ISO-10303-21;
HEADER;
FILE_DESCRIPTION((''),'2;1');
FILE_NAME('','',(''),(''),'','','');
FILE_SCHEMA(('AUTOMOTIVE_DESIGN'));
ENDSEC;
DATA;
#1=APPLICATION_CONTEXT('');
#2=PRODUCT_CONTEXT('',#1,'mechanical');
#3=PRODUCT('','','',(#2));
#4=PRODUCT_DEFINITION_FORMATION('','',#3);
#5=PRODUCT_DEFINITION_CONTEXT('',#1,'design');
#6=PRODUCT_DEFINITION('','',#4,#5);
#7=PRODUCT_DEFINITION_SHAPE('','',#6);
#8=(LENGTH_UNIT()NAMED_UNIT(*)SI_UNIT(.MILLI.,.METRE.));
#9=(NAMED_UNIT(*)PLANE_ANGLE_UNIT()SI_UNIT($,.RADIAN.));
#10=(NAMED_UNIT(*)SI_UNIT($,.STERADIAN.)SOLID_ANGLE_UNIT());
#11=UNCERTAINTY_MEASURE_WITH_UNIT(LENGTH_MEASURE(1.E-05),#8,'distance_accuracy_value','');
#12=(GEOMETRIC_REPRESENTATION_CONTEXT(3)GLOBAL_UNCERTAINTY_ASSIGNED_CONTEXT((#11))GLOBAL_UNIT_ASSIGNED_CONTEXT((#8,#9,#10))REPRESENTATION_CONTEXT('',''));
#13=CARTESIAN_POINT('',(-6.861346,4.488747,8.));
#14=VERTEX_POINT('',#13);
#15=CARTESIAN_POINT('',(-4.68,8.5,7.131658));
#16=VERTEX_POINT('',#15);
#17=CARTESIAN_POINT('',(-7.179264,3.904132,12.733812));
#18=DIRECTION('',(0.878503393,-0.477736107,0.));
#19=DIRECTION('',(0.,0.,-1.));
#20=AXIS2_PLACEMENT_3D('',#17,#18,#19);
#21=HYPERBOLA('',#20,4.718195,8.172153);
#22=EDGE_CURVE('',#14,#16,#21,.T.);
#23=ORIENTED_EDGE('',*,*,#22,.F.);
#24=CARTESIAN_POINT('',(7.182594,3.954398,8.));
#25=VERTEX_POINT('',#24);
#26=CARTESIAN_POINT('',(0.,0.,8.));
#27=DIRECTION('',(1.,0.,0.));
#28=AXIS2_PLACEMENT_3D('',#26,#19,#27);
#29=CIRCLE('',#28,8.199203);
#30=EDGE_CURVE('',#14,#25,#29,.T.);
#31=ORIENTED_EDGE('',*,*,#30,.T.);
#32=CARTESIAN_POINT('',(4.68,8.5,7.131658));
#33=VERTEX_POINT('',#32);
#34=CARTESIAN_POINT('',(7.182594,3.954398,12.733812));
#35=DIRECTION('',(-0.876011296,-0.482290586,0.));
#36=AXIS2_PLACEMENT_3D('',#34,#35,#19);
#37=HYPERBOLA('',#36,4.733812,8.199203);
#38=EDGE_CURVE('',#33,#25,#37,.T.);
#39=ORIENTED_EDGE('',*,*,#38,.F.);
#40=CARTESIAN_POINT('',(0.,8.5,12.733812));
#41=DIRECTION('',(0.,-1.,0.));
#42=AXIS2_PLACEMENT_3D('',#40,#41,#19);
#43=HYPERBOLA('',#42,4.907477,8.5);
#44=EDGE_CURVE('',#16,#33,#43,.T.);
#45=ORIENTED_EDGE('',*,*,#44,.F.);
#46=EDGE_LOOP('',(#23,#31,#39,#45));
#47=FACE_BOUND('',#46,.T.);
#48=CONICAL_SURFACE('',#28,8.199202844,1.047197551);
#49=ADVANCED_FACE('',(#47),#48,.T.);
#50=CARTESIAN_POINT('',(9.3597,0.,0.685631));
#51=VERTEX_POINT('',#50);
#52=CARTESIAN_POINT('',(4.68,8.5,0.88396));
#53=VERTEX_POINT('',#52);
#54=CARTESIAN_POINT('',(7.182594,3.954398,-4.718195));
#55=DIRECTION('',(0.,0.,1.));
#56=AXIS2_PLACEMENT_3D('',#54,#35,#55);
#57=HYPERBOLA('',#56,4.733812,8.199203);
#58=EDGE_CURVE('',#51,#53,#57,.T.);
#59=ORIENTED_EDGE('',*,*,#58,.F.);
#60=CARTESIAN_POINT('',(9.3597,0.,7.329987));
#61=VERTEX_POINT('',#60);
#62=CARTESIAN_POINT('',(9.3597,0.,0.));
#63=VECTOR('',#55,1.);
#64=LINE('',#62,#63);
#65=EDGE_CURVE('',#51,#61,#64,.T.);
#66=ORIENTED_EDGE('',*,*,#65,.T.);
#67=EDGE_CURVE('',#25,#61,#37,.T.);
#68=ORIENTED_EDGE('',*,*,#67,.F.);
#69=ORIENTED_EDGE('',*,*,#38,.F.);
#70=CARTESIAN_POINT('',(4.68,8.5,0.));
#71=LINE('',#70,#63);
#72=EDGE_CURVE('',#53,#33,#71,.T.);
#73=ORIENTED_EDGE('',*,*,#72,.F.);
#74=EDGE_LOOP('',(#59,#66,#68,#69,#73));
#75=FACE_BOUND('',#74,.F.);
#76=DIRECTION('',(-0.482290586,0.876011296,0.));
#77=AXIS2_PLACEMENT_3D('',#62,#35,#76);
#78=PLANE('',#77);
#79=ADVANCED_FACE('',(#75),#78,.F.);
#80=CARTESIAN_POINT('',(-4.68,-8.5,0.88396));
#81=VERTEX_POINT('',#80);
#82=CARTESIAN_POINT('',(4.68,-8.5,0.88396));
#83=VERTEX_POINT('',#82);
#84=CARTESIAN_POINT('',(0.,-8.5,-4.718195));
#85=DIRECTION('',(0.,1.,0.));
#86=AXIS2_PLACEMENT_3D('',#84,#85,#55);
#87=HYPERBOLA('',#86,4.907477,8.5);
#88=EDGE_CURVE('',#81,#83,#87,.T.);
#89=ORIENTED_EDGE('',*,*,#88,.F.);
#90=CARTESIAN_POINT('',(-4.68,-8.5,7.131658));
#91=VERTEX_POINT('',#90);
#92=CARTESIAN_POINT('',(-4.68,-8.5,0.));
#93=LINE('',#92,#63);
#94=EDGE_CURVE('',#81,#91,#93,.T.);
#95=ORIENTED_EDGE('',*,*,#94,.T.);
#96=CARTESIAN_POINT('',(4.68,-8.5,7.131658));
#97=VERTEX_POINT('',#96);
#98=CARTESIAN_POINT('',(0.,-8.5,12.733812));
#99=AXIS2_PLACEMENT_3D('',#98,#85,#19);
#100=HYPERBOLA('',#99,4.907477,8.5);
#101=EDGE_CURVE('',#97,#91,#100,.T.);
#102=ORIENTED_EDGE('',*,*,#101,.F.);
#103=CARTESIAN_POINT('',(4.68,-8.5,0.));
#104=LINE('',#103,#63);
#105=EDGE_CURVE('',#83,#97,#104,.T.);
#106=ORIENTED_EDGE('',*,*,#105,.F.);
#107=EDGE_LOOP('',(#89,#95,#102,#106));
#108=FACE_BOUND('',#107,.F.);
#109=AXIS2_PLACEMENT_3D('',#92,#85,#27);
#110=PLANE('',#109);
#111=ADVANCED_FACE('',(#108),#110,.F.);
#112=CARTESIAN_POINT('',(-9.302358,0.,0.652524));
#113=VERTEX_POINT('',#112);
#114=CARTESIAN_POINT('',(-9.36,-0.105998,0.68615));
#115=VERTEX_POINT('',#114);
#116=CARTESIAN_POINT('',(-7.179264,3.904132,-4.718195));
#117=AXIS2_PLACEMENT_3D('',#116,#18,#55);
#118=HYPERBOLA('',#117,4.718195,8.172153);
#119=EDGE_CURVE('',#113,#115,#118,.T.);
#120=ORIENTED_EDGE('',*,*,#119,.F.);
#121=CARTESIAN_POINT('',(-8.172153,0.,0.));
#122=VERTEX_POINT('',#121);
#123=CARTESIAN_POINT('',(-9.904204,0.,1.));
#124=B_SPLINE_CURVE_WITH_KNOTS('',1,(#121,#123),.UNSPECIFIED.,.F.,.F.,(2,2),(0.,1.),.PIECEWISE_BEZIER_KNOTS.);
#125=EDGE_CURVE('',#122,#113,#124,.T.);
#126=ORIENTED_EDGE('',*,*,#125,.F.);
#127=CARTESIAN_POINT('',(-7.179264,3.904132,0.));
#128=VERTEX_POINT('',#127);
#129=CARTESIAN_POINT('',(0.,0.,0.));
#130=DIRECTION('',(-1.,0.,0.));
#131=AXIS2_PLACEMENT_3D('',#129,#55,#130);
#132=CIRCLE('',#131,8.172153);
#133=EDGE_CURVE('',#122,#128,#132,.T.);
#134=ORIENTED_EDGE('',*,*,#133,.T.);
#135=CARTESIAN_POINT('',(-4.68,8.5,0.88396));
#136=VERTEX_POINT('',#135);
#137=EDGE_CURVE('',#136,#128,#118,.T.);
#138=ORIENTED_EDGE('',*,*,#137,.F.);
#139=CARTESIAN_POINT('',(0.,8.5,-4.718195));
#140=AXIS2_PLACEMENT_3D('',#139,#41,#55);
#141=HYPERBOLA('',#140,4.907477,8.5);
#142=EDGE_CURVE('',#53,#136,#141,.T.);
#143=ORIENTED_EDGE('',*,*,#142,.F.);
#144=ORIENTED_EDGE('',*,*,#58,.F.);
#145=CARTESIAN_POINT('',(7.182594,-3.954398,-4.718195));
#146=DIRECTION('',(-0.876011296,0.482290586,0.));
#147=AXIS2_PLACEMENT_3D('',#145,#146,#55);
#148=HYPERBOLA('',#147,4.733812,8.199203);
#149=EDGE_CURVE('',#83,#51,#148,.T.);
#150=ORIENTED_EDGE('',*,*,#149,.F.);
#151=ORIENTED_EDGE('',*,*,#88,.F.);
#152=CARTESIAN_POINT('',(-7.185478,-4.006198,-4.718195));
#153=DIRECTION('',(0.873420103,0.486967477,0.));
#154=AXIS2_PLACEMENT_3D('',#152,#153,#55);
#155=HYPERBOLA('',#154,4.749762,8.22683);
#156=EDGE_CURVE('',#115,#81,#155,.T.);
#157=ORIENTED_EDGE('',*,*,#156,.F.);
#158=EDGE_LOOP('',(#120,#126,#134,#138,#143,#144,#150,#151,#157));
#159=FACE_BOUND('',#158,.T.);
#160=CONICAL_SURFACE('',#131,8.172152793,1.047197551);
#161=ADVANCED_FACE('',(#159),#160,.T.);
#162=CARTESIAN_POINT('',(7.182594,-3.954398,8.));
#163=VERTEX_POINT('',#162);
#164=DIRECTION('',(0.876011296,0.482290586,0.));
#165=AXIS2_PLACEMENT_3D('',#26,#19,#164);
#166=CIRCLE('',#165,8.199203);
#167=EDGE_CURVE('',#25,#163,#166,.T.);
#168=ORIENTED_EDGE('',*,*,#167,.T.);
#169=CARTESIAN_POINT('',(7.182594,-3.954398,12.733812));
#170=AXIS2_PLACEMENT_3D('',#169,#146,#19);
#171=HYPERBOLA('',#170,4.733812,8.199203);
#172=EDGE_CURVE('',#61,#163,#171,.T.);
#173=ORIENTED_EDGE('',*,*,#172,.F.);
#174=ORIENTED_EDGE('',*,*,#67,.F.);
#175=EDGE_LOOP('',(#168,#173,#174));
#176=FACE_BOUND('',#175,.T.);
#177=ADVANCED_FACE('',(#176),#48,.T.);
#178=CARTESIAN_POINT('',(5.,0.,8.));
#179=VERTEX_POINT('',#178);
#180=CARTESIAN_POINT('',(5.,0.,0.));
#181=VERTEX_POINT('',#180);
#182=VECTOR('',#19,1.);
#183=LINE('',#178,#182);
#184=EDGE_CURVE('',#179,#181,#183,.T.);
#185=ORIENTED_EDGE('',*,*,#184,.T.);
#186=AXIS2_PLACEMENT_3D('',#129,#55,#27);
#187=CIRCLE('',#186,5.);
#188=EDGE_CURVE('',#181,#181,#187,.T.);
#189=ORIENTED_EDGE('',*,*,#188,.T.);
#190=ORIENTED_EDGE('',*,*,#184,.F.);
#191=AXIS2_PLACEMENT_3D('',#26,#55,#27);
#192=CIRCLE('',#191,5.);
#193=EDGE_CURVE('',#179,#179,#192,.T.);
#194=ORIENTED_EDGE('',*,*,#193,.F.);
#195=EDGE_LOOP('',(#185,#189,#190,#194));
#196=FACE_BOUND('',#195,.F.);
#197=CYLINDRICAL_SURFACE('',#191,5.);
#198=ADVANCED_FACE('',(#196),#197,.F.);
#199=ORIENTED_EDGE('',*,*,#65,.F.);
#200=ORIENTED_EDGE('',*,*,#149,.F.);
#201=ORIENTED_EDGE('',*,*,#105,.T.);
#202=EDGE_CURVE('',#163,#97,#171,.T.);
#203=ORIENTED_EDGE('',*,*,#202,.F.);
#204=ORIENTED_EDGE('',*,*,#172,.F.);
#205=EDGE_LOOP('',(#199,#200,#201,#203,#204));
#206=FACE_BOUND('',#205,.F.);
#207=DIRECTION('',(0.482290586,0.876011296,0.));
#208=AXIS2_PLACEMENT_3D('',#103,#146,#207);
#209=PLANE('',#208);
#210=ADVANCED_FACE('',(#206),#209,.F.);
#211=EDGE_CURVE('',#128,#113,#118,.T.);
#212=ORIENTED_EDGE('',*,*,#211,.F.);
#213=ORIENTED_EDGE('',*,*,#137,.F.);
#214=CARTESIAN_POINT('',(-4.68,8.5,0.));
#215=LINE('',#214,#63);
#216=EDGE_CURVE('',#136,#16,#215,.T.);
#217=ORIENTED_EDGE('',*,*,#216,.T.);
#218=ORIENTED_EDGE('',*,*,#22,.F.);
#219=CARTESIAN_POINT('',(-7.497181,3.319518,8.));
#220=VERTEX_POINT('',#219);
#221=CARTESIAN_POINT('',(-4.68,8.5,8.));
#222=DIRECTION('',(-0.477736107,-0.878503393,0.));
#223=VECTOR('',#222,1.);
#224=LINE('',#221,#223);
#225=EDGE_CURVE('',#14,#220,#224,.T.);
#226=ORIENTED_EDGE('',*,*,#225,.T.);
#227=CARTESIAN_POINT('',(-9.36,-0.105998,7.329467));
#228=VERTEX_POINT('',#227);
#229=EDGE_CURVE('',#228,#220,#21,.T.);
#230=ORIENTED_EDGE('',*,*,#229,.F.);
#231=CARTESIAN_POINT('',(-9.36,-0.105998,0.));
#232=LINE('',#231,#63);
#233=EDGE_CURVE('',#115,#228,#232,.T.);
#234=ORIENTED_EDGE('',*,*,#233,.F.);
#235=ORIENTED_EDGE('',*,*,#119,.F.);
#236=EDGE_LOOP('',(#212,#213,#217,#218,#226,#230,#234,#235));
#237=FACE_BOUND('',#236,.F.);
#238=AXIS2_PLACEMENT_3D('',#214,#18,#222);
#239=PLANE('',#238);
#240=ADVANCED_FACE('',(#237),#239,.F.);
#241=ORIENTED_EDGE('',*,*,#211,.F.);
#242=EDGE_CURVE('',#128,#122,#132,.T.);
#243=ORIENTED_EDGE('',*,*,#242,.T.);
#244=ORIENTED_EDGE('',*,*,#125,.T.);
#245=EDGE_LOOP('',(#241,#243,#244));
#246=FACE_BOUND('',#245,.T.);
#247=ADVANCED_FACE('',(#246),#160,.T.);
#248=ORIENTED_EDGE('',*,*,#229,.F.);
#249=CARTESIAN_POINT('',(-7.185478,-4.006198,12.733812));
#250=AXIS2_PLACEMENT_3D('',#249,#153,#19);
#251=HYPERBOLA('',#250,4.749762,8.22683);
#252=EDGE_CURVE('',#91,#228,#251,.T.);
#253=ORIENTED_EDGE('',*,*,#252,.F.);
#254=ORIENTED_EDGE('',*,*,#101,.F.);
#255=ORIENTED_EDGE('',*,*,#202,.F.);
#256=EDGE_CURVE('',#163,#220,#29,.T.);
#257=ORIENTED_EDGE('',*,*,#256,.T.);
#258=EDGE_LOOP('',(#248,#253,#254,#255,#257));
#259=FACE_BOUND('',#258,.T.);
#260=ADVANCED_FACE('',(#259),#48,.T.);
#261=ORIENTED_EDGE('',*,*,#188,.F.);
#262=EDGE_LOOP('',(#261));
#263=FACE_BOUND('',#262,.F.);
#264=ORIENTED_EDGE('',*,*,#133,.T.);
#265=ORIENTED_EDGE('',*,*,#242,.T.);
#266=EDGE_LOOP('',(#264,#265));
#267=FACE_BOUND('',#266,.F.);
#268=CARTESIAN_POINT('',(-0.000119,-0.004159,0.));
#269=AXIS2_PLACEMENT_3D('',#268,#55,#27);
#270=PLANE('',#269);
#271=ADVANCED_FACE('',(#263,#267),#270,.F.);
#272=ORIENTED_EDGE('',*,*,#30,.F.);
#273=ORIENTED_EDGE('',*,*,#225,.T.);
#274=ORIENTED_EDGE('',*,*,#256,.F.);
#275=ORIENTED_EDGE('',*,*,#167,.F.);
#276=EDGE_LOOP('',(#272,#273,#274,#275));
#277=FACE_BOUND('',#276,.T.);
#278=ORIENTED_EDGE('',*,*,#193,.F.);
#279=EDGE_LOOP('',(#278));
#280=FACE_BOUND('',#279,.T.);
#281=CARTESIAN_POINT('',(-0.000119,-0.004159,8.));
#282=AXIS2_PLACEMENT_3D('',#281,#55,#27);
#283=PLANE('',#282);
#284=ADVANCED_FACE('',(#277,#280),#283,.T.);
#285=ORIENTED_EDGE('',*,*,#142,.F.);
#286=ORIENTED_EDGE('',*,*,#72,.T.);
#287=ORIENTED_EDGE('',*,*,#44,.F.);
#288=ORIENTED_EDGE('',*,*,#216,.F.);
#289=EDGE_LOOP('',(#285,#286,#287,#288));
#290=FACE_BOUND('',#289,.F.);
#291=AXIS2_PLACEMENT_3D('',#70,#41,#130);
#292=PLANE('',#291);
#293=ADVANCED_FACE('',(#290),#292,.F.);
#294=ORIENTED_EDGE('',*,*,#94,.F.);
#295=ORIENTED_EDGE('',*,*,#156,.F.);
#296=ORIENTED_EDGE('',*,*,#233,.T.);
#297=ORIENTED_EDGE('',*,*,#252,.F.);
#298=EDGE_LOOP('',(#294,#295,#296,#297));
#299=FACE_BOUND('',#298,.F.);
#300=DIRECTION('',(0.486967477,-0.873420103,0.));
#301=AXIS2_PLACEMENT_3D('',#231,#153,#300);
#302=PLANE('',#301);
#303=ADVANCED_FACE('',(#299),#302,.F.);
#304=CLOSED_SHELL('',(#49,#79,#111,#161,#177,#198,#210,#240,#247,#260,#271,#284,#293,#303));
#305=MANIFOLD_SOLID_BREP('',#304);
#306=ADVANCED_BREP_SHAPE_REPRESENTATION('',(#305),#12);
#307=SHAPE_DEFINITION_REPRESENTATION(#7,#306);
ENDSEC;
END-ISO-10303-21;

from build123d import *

# Parameters (mm, degrees)
BOSS_EXTRUDE1_DEPTH = 8
SKETCH2_OUTSIDE_W   = 60.666
SKETCH2_OUTSIDE_H   = 58.946
SKETCH2_OUTSIDE_R   = 8.199202844
CUT_EXTRUDE1_DEPTH  = 10
CUT_EXTRUDE1_TAPER  = 60
SKETCH3_OUTSIDE_W   = 29.488
SKETCH3_OUTSIDE_H   = 27.768
SKETCH3_OUTSIDE_R   = 8.172152793
CUT_EXTRUDE2_DEPTH  = 1
CUT_EXTRUDE2_TAPER  = 60
SKETCH4_R           = 5
CUT_EXTRUDE3_DEPTH  = 8


with BuildPart() as part:
    # Sketch1 → Boss-Extrude1 (new body)
    with BuildSketch(Plane.XY):
        Polygon((9.359699903, 0), (4.68, 8.5), (-4.68, 8.5), (-9.36, -0.105997779), (-4.68, -8.5), (4.68, -8.5), align=None)
    extrude(amount=BOSS_EXTRUDE1_DEPTH)

    # Sketch2 outside → Cut-Extrude1 (cut)
    with BuildSketch(Plane.XY.offset(8)):
        Rectangle(SKETCH2_OUTSIDE_W, SKETCH2_OUTSIDE_H)
        Circle(SKETCH2_OUTSIDE_R, mode=Mode.SUBTRACT)
    extrude(amount=-CUT_EXTRUDE1_DEPTH, taper=CUT_EXTRUDE1_TAPER, mode=Mode.SUBTRACT)

    # Sketch3 outside → Cut-Extrude2 (cut)
    with BuildSketch(Plane(origin=(0, 0, 0), x_dir=(-1, 0, 0), z_dir=(0, 0, -1))):
        Rectangle(SKETCH3_OUTSIDE_W, SKETCH3_OUTSIDE_H)
        Circle(SKETCH3_OUTSIDE_R, mode=Mode.SUBTRACT)
    extrude(amount=-CUT_EXTRUDE2_DEPTH, taper=CUT_EXTRUDE2_TAPER, mode=Mode.SUBTRACT)

    # Sketch4 → Cut-Extrude3 (cut)
    with BuildSketch(Plane.XY.offset(8)):
        Circle(SKETCH4_R)
    extrude(amount=-CUT_EXTRUDE3_DEPTH, mode=Mode.SUBTRACT)


solid = part.part
